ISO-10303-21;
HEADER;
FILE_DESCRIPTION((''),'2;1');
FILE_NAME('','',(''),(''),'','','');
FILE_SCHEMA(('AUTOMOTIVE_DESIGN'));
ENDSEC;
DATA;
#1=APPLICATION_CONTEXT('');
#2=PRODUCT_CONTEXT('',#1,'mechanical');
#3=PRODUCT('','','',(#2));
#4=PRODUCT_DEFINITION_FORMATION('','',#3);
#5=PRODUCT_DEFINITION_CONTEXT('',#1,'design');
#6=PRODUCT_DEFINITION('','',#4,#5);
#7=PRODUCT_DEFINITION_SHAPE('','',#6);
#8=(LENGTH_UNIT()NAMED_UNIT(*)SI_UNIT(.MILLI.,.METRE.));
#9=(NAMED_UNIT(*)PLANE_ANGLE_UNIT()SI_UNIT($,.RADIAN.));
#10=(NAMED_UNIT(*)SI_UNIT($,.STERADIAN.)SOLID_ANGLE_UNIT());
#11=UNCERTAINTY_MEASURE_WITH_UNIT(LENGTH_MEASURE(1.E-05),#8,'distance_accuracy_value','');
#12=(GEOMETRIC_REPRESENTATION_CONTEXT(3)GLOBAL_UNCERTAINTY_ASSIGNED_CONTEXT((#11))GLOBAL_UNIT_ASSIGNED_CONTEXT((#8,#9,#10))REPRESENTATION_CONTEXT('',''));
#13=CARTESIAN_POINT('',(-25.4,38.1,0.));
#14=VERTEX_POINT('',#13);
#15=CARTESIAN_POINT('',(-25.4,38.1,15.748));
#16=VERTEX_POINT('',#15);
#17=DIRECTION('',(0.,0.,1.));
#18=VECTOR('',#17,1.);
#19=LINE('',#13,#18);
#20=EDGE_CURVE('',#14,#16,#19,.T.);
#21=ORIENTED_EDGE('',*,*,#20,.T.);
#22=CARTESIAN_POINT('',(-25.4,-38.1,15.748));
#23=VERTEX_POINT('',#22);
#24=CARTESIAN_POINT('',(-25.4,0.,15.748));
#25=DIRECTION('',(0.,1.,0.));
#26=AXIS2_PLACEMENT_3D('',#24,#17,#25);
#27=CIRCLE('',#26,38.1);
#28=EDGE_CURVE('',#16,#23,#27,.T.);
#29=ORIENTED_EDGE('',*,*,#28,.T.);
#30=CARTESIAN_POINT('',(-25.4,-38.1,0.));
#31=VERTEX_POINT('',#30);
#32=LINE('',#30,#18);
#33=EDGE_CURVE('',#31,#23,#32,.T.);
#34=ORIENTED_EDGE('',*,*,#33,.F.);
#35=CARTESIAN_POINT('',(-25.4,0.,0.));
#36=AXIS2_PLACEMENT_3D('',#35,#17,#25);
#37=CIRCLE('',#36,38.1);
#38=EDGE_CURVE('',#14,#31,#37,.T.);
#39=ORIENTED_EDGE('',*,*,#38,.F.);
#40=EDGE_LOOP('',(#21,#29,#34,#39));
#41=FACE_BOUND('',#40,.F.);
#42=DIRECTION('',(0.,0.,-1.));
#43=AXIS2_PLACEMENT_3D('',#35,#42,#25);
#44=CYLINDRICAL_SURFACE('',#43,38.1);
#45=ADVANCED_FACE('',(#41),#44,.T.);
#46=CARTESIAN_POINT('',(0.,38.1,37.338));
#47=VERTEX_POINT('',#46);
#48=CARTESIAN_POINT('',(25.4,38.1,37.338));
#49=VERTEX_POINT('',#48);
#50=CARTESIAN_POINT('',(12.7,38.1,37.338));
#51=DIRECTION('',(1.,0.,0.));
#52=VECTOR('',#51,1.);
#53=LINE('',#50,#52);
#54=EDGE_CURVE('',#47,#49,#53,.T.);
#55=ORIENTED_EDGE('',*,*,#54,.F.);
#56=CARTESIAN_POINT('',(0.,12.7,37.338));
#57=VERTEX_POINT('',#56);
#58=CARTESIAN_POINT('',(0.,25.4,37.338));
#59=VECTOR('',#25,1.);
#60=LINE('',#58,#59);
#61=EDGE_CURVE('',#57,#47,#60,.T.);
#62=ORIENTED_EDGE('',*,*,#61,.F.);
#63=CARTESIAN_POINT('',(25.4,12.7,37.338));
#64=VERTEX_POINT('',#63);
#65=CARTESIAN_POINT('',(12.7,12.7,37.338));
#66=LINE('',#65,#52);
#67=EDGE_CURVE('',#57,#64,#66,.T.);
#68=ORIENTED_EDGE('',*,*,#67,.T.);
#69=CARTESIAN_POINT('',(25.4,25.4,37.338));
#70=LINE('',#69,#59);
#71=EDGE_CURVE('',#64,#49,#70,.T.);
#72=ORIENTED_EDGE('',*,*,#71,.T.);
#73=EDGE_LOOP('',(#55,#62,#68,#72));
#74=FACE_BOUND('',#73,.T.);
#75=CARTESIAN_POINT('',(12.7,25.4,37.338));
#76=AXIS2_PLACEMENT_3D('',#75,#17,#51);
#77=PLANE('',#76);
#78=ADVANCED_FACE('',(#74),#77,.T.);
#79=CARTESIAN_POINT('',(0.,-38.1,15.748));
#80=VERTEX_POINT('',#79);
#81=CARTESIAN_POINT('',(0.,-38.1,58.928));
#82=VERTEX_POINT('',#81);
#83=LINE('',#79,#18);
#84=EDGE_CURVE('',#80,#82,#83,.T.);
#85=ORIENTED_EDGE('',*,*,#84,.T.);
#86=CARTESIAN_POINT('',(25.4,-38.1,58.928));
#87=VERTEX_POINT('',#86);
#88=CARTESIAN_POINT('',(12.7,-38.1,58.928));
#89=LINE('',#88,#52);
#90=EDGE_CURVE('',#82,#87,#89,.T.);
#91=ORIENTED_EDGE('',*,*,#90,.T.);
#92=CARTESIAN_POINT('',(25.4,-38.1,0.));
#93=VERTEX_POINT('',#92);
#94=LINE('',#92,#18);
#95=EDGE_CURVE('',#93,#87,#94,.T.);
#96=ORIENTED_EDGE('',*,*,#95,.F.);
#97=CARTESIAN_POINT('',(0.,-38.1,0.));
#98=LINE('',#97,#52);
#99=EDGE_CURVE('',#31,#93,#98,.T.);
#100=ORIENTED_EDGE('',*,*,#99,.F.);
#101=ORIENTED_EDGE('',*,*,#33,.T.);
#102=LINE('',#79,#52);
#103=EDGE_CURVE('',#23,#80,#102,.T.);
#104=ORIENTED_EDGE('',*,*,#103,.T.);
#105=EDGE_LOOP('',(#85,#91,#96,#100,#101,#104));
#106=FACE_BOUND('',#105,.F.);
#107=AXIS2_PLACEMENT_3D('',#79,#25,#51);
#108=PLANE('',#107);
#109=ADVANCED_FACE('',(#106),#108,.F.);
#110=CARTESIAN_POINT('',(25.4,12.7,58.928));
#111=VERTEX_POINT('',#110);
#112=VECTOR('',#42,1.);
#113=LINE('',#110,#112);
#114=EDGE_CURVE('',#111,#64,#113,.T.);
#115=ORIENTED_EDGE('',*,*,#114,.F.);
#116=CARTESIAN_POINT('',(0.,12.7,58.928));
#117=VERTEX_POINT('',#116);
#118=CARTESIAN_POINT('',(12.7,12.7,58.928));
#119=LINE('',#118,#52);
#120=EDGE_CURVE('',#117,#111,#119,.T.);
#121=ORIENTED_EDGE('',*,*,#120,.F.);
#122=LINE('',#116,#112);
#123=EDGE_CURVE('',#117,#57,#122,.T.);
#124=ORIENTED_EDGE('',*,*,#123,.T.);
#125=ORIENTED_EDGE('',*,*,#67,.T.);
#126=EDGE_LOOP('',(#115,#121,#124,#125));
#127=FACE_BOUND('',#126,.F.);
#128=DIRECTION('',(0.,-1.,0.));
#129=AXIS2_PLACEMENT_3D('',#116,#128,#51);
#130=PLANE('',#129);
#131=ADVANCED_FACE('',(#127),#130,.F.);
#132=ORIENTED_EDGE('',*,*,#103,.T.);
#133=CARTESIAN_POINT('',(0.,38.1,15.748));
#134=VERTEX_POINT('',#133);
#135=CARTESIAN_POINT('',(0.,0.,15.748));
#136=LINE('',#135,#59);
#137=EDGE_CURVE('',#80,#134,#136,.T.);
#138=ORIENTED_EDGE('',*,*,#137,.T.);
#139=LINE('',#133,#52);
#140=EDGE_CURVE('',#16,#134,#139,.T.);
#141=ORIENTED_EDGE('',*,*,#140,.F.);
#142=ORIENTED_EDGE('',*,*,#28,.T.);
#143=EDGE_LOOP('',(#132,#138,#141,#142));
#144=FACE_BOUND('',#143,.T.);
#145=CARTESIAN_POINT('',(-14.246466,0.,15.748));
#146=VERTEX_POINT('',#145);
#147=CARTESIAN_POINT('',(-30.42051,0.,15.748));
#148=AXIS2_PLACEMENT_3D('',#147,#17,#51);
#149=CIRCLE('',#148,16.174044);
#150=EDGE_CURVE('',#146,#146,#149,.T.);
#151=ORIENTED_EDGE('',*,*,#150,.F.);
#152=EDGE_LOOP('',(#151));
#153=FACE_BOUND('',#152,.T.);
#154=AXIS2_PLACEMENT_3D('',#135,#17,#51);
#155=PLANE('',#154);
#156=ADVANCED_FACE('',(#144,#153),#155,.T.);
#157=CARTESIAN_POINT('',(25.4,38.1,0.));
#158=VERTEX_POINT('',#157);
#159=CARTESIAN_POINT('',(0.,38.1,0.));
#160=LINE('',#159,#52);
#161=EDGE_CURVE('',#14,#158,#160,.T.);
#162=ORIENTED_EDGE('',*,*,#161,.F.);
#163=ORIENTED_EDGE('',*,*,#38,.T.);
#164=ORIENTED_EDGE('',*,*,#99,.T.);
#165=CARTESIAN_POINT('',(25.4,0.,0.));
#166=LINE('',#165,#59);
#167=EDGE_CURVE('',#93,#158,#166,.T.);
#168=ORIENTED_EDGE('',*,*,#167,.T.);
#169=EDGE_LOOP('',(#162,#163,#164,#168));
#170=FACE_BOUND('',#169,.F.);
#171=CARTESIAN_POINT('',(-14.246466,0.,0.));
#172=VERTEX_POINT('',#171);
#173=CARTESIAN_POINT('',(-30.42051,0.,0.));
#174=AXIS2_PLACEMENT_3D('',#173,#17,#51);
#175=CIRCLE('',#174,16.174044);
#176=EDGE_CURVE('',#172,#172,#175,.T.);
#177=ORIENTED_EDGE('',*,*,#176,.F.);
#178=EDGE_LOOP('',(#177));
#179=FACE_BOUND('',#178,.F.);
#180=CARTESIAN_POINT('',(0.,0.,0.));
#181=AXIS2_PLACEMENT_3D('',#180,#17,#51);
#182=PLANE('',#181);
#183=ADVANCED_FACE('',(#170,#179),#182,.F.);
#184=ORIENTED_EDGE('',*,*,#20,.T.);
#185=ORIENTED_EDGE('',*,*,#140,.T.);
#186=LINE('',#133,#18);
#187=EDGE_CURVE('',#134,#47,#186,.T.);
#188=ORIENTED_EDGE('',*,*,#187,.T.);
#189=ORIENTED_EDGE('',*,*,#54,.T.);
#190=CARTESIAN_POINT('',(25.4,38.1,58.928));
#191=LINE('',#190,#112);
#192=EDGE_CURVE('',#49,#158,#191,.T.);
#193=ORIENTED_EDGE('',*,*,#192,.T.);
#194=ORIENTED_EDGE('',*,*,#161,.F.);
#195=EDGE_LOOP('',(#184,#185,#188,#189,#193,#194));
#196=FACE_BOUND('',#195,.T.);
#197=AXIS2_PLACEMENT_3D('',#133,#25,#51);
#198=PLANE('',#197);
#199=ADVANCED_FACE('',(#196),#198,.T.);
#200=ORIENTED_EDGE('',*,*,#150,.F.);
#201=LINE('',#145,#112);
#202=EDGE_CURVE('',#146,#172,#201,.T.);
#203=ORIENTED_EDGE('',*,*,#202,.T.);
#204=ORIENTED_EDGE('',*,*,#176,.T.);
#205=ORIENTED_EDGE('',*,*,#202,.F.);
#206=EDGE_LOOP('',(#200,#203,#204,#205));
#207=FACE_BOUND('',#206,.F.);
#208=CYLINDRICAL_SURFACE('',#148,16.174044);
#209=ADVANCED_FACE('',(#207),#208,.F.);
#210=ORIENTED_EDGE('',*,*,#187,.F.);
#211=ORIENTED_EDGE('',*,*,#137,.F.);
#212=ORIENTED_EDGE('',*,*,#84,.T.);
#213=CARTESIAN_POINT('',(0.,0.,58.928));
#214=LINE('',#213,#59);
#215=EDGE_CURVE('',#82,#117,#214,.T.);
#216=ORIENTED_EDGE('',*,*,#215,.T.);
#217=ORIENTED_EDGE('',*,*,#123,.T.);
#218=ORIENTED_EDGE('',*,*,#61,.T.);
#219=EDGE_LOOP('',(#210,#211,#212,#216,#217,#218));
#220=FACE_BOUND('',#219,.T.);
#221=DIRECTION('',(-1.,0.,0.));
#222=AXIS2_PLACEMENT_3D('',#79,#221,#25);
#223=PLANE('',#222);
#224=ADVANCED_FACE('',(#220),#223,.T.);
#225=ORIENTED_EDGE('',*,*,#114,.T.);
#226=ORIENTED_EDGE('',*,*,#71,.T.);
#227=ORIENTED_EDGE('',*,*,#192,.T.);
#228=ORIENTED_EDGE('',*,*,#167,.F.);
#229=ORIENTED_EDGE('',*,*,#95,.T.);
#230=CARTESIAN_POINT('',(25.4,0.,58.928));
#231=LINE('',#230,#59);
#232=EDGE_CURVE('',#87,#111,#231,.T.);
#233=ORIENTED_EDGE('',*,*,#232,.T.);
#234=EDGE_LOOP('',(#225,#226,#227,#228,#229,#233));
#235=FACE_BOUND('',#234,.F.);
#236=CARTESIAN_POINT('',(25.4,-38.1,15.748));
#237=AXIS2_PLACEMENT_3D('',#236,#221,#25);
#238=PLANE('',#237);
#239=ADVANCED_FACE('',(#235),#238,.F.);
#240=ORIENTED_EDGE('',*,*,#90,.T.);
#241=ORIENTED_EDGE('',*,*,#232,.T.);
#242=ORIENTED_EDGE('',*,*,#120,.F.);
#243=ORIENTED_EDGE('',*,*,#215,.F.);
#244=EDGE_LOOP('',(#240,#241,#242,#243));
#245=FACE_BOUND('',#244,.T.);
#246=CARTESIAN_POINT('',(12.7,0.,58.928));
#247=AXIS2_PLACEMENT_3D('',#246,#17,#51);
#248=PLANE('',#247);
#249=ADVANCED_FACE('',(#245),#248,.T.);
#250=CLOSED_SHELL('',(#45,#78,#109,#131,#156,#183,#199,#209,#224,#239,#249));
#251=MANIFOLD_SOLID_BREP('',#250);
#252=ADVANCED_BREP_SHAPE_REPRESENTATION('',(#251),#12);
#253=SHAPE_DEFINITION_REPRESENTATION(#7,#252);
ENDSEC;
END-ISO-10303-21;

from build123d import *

# Parameters (mm, degrees)
F0_W     = 50.8
F0_H     = 76.2
F1_DEPTH = 15.748
F2_R     = 16.174044
F3_DEPTH = 25.4
F4_W     = 25.4
F4_H     = 76.2
F5_DEPTH = 43.18
F6_W     = 25.4
F6_H     = 25.4
F7_DEPTH = 21.59


with BuildPart() as f1:
    # F0 (on Top) → F1 (new body)
    with BuildSketch(Plane.XY):
        Rectangle(F0_W, F0_H)
        with BuildLine():
            Line((-25.4, -38.1), (-25.4, 38.1))
            ThreePointArc((-25.4, 38.1), (-63.5, 0), (-25.4, -38.1))
        make_face()
    extrude(amount=F1_DEPTH)

    # F2 (on face) → F3 (cut)
    with BuildSketch(Plane.XY.offset(15.748)):
        with Locations((-30.42051, 0)):
            Circle(F2_R)
    extrude(amount=-F3_DEPTH, mode=Mode.SUBTRACT)

    # F4 (on face) → F5 (join)
    with BuildSketch(Plane.XY.offset(15.748)):
        with Locations((12.7, 0)):
            Rectangle(F4_W, F4_H)
    extrude(amount=F5_DEPTH)

    # F6 (on face) → F7 (cut)
    with BuildSketch(Plane.XY.offset(58.928)):
        with Locations((12.7, 25.4)):
            Rectangle(F6_W, F6_H)
    extrude(amount=-F7_DEPTH, mode=Mode.SUBTRACT)


solid = f1.part
